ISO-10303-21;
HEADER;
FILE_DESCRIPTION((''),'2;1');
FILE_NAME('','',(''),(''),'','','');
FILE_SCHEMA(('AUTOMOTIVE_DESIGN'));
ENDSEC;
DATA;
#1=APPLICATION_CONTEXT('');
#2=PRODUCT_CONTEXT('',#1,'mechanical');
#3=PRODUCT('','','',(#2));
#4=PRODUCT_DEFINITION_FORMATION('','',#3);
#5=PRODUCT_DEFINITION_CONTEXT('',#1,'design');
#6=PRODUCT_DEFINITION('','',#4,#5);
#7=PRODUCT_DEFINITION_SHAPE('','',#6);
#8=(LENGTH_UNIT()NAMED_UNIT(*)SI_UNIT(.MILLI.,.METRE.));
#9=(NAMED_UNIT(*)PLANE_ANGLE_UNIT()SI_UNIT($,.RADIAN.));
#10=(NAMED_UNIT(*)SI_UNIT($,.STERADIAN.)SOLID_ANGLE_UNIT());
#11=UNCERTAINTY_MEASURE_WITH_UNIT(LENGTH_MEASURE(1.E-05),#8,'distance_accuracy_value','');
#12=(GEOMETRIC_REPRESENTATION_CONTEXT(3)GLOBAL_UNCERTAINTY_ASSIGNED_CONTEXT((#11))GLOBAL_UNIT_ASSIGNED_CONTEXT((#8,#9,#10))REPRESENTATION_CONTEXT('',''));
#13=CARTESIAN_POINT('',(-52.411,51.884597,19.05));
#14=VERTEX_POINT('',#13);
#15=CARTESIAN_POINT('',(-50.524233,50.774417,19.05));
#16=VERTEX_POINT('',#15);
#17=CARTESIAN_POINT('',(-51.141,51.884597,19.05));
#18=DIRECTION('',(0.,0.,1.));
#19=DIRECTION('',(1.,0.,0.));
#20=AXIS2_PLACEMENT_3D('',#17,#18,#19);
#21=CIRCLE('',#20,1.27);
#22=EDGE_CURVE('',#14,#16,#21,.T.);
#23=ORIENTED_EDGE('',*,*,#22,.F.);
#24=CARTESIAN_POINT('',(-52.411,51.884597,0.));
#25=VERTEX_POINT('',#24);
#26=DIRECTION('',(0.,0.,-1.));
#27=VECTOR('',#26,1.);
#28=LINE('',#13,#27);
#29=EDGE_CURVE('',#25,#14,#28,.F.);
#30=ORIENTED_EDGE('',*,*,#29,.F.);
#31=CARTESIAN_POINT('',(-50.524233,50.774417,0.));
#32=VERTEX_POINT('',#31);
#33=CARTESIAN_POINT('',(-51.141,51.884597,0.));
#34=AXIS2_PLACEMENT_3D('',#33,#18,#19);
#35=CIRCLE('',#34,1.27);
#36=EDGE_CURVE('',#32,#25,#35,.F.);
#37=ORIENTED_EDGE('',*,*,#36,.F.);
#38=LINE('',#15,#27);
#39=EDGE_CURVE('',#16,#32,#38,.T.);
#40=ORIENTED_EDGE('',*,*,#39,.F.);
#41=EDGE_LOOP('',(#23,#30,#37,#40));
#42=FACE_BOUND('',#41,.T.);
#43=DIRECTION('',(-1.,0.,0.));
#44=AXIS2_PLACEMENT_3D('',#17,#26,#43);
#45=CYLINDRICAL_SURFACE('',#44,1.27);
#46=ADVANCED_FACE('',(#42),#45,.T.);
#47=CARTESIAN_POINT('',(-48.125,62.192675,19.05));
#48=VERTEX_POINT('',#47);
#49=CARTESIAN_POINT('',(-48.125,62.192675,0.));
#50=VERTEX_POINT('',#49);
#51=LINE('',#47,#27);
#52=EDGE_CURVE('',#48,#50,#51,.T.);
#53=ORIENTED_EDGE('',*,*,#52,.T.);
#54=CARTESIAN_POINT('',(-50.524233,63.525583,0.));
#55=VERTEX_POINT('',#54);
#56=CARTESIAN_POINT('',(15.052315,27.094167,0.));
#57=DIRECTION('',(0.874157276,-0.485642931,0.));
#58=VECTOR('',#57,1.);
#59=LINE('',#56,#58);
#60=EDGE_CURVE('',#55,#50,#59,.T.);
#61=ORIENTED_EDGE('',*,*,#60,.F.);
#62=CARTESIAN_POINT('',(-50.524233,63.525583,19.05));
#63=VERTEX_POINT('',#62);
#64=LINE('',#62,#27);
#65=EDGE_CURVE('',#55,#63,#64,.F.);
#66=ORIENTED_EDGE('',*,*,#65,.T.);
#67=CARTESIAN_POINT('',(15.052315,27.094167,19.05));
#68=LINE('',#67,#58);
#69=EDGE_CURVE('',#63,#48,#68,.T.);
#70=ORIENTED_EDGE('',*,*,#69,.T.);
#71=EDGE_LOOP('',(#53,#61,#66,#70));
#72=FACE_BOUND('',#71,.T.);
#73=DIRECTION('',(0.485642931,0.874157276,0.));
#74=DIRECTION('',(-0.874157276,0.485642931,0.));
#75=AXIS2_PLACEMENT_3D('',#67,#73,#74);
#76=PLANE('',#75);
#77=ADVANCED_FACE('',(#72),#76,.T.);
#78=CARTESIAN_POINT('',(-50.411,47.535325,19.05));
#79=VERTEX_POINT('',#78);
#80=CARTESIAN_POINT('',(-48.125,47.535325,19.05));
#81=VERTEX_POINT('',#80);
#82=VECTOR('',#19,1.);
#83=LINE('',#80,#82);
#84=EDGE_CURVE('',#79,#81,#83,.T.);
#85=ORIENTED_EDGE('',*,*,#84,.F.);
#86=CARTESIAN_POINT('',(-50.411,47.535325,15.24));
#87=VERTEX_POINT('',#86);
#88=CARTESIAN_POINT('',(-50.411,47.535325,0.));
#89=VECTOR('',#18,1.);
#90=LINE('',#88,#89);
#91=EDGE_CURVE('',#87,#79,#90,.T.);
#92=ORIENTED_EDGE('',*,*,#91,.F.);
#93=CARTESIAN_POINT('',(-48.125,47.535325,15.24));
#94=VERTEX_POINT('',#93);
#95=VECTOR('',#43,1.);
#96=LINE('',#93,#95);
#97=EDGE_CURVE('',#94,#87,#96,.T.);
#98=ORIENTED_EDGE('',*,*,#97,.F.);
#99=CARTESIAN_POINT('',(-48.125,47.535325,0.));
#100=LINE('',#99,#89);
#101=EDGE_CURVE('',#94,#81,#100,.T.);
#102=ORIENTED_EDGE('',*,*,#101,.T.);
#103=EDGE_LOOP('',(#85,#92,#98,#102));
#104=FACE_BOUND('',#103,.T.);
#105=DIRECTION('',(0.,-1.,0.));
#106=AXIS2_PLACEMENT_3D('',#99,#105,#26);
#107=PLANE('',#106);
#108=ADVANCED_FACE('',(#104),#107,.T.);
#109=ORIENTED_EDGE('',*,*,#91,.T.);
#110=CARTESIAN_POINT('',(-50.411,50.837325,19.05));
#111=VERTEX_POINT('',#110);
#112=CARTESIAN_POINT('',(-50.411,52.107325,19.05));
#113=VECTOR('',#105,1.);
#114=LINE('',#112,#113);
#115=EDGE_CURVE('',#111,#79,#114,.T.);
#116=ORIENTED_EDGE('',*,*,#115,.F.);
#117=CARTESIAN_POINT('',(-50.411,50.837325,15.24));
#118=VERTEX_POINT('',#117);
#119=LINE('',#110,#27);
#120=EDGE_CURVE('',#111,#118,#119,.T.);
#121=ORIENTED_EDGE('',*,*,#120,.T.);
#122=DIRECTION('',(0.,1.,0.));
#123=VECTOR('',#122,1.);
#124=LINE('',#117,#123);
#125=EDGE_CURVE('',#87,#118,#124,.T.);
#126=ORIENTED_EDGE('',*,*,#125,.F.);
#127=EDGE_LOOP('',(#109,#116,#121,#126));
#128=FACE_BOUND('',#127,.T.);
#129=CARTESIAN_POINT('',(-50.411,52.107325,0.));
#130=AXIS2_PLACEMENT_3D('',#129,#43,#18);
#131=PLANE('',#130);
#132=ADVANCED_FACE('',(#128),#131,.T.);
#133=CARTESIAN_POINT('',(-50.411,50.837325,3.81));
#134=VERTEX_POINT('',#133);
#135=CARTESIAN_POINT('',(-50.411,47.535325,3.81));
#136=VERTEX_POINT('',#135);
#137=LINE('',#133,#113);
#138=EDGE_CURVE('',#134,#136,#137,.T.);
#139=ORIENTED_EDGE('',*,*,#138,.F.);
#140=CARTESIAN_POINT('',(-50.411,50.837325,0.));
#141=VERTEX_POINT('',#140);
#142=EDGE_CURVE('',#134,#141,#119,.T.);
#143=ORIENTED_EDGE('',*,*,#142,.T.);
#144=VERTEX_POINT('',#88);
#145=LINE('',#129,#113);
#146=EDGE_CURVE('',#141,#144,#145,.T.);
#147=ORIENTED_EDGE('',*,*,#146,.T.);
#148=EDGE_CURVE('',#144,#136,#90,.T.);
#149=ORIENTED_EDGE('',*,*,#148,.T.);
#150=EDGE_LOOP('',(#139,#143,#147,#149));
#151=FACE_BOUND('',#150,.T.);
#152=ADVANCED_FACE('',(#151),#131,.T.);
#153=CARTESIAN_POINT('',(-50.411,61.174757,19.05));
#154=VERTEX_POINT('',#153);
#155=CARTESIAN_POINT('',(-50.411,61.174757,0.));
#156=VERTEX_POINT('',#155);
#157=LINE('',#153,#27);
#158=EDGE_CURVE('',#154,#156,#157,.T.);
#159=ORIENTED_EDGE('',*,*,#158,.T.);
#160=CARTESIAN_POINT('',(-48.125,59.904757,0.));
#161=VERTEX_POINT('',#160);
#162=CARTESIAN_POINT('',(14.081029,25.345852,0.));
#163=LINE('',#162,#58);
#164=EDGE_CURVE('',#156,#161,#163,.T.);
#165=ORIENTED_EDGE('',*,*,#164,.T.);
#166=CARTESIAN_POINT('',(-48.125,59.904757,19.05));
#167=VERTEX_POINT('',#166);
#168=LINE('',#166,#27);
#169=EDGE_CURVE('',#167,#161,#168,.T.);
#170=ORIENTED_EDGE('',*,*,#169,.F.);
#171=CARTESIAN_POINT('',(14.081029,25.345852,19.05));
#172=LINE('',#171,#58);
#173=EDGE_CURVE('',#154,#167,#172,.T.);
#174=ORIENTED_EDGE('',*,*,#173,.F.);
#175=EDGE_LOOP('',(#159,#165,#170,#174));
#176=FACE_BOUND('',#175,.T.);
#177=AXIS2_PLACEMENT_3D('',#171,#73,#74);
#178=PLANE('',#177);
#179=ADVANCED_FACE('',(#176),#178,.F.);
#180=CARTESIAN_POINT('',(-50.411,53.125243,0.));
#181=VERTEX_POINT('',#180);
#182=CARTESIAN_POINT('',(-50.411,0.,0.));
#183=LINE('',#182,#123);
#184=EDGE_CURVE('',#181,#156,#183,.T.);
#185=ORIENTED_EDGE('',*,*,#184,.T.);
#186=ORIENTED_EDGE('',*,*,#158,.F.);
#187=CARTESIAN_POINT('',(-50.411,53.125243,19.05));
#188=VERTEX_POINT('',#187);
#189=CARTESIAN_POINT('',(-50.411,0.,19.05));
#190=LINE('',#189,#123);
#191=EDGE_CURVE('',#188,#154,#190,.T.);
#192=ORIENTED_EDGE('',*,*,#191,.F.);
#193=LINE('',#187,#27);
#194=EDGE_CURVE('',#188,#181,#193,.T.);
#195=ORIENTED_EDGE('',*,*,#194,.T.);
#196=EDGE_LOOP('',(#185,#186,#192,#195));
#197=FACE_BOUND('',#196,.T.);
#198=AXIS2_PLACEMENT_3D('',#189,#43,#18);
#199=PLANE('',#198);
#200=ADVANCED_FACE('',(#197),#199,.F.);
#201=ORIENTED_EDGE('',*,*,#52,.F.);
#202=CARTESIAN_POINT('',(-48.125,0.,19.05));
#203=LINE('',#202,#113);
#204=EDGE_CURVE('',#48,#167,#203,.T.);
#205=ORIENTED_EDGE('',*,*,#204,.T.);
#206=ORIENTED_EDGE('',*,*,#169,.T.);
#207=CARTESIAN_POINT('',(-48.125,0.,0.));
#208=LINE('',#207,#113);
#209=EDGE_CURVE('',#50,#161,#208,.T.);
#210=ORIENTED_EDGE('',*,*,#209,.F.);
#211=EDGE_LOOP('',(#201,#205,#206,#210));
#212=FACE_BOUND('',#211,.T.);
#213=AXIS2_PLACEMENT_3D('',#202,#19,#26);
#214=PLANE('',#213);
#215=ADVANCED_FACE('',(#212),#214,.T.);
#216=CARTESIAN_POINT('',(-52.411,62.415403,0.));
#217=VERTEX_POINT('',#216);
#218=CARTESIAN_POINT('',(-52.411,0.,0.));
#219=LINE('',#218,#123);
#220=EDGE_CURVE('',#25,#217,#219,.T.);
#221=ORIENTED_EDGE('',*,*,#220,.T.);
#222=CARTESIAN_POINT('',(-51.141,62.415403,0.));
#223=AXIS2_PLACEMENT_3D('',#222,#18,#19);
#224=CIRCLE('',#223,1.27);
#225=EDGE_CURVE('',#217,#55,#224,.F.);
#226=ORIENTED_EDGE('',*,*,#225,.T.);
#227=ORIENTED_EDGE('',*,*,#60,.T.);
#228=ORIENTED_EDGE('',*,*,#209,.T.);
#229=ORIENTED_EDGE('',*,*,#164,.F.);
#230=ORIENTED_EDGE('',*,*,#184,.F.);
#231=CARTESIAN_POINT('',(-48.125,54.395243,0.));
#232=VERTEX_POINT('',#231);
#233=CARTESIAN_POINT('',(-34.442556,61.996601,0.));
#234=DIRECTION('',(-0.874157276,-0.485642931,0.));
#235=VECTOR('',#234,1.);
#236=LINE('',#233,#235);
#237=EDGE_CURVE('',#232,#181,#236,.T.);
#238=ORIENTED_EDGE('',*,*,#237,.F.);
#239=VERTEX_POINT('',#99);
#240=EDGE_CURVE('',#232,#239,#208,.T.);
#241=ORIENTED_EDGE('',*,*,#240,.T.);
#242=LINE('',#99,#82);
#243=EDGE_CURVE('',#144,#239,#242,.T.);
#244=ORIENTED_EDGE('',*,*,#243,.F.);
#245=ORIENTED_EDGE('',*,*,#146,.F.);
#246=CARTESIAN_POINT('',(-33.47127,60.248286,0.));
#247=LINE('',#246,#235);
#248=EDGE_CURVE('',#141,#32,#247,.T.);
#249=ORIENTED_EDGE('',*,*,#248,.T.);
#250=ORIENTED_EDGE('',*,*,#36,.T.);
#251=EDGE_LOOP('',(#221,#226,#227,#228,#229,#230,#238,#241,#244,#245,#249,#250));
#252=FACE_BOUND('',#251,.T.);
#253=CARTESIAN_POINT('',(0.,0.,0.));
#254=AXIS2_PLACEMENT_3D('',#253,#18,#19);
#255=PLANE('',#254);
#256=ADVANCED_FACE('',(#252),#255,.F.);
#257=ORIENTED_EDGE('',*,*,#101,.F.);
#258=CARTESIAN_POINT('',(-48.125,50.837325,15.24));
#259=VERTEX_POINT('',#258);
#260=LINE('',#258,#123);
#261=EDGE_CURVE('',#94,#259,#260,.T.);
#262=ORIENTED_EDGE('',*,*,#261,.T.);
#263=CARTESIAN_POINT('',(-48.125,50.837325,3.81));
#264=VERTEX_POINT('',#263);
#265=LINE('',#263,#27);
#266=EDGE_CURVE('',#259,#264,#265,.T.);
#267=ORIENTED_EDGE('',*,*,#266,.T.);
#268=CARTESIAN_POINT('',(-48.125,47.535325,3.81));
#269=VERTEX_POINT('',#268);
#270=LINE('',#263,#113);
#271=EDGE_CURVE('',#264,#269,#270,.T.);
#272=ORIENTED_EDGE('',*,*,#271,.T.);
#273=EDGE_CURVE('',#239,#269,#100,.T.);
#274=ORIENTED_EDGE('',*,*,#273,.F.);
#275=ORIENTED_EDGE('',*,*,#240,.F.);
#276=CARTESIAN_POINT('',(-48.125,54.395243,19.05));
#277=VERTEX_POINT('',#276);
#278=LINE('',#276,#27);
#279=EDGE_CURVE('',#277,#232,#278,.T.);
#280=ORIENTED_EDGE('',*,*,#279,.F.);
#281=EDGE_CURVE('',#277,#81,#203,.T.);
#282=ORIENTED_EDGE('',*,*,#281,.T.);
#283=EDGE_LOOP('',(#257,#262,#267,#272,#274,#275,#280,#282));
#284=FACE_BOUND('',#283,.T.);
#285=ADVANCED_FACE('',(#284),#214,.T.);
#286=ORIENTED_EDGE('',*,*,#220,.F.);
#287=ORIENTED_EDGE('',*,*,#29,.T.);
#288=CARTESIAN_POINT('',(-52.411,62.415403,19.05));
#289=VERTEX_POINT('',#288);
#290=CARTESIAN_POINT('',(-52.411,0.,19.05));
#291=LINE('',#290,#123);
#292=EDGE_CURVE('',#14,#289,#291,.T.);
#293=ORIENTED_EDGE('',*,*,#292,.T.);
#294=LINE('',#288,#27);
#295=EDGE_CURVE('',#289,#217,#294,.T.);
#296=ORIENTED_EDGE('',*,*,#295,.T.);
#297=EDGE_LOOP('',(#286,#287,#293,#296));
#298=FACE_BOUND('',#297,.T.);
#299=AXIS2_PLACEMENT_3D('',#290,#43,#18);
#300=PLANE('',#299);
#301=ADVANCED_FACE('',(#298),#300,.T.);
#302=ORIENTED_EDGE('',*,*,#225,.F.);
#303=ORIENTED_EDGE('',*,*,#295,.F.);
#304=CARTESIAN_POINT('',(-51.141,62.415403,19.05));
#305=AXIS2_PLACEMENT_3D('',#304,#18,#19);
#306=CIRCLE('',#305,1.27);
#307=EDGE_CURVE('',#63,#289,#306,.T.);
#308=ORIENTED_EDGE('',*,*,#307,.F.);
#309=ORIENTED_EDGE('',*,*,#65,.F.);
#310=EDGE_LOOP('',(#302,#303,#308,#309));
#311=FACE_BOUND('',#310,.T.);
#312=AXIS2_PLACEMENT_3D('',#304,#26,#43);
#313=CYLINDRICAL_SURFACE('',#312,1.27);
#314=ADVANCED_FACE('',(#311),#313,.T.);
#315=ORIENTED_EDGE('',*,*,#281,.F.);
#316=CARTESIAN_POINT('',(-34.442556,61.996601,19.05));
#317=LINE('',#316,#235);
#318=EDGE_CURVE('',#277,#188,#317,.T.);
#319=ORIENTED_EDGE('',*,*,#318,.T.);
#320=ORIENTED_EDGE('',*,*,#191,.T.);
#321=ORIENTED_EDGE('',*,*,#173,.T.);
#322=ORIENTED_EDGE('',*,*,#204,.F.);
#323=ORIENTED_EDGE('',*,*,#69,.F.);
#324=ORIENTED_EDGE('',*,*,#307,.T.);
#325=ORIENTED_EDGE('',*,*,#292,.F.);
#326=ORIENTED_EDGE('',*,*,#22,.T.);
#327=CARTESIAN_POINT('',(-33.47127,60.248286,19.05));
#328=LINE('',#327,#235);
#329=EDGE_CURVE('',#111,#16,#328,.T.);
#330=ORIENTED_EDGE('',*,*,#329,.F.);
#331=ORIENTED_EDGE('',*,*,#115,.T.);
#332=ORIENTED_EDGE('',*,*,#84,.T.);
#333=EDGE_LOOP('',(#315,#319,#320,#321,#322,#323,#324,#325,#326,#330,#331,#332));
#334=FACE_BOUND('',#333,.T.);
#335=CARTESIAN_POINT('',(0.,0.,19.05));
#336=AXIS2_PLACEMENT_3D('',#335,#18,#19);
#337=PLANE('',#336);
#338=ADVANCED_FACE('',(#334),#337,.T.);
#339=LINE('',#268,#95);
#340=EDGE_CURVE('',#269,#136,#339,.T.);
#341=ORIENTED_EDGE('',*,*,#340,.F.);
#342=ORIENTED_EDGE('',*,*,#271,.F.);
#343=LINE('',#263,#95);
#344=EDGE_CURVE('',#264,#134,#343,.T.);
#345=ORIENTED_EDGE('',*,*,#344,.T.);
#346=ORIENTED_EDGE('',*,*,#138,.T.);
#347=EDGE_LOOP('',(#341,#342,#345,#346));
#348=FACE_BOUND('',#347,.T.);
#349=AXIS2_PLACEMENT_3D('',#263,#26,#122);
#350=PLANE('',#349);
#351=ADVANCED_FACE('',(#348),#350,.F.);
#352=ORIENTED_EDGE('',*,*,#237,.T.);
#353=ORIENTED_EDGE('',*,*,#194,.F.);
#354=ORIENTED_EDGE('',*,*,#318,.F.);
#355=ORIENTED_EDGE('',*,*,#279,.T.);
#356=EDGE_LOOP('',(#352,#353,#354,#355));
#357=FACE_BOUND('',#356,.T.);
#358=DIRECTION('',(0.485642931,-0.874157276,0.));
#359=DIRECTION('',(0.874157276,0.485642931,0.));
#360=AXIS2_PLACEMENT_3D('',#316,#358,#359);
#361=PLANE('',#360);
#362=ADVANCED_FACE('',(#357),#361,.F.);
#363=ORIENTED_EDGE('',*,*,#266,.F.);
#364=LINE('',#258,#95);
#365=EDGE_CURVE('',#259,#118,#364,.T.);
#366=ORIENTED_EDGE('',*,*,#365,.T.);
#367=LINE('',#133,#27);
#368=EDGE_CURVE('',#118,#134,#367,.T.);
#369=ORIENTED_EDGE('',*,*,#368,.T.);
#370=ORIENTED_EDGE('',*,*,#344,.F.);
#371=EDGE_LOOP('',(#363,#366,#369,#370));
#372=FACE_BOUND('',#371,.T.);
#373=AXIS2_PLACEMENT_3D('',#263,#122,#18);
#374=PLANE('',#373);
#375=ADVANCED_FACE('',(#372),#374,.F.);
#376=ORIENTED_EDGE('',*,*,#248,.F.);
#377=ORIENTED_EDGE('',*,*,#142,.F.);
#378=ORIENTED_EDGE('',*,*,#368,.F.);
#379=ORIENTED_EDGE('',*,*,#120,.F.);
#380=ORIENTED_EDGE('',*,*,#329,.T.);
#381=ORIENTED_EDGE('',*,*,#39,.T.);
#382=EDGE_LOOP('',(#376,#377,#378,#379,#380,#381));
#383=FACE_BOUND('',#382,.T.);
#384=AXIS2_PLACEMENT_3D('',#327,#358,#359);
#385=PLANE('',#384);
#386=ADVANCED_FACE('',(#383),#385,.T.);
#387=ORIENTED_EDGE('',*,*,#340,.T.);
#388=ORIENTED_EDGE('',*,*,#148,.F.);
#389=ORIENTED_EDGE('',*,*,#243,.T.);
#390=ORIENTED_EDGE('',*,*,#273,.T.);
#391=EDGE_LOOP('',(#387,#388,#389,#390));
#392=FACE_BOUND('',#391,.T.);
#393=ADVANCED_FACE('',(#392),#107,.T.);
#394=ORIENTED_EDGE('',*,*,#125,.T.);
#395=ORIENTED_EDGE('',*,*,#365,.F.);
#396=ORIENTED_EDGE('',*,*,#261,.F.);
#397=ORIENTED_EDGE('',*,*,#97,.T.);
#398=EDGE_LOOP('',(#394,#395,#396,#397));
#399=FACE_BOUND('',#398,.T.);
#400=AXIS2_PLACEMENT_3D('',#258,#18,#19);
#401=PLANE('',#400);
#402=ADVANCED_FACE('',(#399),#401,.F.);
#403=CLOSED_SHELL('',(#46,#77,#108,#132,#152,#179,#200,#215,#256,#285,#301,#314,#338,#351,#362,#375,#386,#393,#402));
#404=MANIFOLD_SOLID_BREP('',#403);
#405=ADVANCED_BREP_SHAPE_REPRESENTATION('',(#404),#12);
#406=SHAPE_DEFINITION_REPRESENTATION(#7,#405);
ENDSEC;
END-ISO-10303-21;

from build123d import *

# Parameters (mm, degrees)
BOSS_EXTRUDE1_DEPTH = 19.05
FILLET1_R           = 1.27
SKETCH3_W           = 2.286
SKETCH3_H           = 4.572
BOSS_EXTRUDE2_DEPTH = 19.05
SKETCH4_W           = 11.43
SKETCH4_H           = 3.302
CUT_EXTRUDE2_DEPTH  = 3.286


with BuildPart() as part:
    # Sketch2 → Boss-Extrude1 (new body)
    with BuildSketch(Plane.XY):
        Polygon((-50.411, 53.12524277), (-50.411, 61.17475723), (-48.125, 59.90475723), (-48.125, 62.192675039), (-52.411, 64.57378615), (-52.411, 49.72621385), (-48.125, 52.107324961), (-48.125, 54.39524277), align=None)
    extrude(amount=BOSS_EXTRUDE1_DEPTH)

    # Fillet1
    fillet1_edges = [part.edges().sort_by_distance(p)[0] for p in [
        (-52.411, 49.72621385, 9.525),
        (-52.411, 64.57378615, 9.525),
    ]]
    fillet(fillet1_edges, radius=FILLET1_R)

    # Sketch3 → Boss-Extrude2 (add, through all)
    with BuildSketch(Plane.XY.offset(19.05)):
        with Locations((-49.268, 49.821324961)):
            Rectangle(SKETCH3_W, SKETCH3_H)
    extrude(amount=-BOSS_EXTRUDE2_DEPTH)

    # Sketch4 → Cut-Extrude2 (cut, through all)
    with BuildSketch(Plane.ZY.offset(50.411)):
        with Locations((9.525, 49.186324961)):
            Rectangle(SKETCH4_W, SKETCH4_H)
    extrude(amount=-CUT_EXTRUDE2_DEPTH, mode=Mode.SUBTRACT)


solid = part.part
